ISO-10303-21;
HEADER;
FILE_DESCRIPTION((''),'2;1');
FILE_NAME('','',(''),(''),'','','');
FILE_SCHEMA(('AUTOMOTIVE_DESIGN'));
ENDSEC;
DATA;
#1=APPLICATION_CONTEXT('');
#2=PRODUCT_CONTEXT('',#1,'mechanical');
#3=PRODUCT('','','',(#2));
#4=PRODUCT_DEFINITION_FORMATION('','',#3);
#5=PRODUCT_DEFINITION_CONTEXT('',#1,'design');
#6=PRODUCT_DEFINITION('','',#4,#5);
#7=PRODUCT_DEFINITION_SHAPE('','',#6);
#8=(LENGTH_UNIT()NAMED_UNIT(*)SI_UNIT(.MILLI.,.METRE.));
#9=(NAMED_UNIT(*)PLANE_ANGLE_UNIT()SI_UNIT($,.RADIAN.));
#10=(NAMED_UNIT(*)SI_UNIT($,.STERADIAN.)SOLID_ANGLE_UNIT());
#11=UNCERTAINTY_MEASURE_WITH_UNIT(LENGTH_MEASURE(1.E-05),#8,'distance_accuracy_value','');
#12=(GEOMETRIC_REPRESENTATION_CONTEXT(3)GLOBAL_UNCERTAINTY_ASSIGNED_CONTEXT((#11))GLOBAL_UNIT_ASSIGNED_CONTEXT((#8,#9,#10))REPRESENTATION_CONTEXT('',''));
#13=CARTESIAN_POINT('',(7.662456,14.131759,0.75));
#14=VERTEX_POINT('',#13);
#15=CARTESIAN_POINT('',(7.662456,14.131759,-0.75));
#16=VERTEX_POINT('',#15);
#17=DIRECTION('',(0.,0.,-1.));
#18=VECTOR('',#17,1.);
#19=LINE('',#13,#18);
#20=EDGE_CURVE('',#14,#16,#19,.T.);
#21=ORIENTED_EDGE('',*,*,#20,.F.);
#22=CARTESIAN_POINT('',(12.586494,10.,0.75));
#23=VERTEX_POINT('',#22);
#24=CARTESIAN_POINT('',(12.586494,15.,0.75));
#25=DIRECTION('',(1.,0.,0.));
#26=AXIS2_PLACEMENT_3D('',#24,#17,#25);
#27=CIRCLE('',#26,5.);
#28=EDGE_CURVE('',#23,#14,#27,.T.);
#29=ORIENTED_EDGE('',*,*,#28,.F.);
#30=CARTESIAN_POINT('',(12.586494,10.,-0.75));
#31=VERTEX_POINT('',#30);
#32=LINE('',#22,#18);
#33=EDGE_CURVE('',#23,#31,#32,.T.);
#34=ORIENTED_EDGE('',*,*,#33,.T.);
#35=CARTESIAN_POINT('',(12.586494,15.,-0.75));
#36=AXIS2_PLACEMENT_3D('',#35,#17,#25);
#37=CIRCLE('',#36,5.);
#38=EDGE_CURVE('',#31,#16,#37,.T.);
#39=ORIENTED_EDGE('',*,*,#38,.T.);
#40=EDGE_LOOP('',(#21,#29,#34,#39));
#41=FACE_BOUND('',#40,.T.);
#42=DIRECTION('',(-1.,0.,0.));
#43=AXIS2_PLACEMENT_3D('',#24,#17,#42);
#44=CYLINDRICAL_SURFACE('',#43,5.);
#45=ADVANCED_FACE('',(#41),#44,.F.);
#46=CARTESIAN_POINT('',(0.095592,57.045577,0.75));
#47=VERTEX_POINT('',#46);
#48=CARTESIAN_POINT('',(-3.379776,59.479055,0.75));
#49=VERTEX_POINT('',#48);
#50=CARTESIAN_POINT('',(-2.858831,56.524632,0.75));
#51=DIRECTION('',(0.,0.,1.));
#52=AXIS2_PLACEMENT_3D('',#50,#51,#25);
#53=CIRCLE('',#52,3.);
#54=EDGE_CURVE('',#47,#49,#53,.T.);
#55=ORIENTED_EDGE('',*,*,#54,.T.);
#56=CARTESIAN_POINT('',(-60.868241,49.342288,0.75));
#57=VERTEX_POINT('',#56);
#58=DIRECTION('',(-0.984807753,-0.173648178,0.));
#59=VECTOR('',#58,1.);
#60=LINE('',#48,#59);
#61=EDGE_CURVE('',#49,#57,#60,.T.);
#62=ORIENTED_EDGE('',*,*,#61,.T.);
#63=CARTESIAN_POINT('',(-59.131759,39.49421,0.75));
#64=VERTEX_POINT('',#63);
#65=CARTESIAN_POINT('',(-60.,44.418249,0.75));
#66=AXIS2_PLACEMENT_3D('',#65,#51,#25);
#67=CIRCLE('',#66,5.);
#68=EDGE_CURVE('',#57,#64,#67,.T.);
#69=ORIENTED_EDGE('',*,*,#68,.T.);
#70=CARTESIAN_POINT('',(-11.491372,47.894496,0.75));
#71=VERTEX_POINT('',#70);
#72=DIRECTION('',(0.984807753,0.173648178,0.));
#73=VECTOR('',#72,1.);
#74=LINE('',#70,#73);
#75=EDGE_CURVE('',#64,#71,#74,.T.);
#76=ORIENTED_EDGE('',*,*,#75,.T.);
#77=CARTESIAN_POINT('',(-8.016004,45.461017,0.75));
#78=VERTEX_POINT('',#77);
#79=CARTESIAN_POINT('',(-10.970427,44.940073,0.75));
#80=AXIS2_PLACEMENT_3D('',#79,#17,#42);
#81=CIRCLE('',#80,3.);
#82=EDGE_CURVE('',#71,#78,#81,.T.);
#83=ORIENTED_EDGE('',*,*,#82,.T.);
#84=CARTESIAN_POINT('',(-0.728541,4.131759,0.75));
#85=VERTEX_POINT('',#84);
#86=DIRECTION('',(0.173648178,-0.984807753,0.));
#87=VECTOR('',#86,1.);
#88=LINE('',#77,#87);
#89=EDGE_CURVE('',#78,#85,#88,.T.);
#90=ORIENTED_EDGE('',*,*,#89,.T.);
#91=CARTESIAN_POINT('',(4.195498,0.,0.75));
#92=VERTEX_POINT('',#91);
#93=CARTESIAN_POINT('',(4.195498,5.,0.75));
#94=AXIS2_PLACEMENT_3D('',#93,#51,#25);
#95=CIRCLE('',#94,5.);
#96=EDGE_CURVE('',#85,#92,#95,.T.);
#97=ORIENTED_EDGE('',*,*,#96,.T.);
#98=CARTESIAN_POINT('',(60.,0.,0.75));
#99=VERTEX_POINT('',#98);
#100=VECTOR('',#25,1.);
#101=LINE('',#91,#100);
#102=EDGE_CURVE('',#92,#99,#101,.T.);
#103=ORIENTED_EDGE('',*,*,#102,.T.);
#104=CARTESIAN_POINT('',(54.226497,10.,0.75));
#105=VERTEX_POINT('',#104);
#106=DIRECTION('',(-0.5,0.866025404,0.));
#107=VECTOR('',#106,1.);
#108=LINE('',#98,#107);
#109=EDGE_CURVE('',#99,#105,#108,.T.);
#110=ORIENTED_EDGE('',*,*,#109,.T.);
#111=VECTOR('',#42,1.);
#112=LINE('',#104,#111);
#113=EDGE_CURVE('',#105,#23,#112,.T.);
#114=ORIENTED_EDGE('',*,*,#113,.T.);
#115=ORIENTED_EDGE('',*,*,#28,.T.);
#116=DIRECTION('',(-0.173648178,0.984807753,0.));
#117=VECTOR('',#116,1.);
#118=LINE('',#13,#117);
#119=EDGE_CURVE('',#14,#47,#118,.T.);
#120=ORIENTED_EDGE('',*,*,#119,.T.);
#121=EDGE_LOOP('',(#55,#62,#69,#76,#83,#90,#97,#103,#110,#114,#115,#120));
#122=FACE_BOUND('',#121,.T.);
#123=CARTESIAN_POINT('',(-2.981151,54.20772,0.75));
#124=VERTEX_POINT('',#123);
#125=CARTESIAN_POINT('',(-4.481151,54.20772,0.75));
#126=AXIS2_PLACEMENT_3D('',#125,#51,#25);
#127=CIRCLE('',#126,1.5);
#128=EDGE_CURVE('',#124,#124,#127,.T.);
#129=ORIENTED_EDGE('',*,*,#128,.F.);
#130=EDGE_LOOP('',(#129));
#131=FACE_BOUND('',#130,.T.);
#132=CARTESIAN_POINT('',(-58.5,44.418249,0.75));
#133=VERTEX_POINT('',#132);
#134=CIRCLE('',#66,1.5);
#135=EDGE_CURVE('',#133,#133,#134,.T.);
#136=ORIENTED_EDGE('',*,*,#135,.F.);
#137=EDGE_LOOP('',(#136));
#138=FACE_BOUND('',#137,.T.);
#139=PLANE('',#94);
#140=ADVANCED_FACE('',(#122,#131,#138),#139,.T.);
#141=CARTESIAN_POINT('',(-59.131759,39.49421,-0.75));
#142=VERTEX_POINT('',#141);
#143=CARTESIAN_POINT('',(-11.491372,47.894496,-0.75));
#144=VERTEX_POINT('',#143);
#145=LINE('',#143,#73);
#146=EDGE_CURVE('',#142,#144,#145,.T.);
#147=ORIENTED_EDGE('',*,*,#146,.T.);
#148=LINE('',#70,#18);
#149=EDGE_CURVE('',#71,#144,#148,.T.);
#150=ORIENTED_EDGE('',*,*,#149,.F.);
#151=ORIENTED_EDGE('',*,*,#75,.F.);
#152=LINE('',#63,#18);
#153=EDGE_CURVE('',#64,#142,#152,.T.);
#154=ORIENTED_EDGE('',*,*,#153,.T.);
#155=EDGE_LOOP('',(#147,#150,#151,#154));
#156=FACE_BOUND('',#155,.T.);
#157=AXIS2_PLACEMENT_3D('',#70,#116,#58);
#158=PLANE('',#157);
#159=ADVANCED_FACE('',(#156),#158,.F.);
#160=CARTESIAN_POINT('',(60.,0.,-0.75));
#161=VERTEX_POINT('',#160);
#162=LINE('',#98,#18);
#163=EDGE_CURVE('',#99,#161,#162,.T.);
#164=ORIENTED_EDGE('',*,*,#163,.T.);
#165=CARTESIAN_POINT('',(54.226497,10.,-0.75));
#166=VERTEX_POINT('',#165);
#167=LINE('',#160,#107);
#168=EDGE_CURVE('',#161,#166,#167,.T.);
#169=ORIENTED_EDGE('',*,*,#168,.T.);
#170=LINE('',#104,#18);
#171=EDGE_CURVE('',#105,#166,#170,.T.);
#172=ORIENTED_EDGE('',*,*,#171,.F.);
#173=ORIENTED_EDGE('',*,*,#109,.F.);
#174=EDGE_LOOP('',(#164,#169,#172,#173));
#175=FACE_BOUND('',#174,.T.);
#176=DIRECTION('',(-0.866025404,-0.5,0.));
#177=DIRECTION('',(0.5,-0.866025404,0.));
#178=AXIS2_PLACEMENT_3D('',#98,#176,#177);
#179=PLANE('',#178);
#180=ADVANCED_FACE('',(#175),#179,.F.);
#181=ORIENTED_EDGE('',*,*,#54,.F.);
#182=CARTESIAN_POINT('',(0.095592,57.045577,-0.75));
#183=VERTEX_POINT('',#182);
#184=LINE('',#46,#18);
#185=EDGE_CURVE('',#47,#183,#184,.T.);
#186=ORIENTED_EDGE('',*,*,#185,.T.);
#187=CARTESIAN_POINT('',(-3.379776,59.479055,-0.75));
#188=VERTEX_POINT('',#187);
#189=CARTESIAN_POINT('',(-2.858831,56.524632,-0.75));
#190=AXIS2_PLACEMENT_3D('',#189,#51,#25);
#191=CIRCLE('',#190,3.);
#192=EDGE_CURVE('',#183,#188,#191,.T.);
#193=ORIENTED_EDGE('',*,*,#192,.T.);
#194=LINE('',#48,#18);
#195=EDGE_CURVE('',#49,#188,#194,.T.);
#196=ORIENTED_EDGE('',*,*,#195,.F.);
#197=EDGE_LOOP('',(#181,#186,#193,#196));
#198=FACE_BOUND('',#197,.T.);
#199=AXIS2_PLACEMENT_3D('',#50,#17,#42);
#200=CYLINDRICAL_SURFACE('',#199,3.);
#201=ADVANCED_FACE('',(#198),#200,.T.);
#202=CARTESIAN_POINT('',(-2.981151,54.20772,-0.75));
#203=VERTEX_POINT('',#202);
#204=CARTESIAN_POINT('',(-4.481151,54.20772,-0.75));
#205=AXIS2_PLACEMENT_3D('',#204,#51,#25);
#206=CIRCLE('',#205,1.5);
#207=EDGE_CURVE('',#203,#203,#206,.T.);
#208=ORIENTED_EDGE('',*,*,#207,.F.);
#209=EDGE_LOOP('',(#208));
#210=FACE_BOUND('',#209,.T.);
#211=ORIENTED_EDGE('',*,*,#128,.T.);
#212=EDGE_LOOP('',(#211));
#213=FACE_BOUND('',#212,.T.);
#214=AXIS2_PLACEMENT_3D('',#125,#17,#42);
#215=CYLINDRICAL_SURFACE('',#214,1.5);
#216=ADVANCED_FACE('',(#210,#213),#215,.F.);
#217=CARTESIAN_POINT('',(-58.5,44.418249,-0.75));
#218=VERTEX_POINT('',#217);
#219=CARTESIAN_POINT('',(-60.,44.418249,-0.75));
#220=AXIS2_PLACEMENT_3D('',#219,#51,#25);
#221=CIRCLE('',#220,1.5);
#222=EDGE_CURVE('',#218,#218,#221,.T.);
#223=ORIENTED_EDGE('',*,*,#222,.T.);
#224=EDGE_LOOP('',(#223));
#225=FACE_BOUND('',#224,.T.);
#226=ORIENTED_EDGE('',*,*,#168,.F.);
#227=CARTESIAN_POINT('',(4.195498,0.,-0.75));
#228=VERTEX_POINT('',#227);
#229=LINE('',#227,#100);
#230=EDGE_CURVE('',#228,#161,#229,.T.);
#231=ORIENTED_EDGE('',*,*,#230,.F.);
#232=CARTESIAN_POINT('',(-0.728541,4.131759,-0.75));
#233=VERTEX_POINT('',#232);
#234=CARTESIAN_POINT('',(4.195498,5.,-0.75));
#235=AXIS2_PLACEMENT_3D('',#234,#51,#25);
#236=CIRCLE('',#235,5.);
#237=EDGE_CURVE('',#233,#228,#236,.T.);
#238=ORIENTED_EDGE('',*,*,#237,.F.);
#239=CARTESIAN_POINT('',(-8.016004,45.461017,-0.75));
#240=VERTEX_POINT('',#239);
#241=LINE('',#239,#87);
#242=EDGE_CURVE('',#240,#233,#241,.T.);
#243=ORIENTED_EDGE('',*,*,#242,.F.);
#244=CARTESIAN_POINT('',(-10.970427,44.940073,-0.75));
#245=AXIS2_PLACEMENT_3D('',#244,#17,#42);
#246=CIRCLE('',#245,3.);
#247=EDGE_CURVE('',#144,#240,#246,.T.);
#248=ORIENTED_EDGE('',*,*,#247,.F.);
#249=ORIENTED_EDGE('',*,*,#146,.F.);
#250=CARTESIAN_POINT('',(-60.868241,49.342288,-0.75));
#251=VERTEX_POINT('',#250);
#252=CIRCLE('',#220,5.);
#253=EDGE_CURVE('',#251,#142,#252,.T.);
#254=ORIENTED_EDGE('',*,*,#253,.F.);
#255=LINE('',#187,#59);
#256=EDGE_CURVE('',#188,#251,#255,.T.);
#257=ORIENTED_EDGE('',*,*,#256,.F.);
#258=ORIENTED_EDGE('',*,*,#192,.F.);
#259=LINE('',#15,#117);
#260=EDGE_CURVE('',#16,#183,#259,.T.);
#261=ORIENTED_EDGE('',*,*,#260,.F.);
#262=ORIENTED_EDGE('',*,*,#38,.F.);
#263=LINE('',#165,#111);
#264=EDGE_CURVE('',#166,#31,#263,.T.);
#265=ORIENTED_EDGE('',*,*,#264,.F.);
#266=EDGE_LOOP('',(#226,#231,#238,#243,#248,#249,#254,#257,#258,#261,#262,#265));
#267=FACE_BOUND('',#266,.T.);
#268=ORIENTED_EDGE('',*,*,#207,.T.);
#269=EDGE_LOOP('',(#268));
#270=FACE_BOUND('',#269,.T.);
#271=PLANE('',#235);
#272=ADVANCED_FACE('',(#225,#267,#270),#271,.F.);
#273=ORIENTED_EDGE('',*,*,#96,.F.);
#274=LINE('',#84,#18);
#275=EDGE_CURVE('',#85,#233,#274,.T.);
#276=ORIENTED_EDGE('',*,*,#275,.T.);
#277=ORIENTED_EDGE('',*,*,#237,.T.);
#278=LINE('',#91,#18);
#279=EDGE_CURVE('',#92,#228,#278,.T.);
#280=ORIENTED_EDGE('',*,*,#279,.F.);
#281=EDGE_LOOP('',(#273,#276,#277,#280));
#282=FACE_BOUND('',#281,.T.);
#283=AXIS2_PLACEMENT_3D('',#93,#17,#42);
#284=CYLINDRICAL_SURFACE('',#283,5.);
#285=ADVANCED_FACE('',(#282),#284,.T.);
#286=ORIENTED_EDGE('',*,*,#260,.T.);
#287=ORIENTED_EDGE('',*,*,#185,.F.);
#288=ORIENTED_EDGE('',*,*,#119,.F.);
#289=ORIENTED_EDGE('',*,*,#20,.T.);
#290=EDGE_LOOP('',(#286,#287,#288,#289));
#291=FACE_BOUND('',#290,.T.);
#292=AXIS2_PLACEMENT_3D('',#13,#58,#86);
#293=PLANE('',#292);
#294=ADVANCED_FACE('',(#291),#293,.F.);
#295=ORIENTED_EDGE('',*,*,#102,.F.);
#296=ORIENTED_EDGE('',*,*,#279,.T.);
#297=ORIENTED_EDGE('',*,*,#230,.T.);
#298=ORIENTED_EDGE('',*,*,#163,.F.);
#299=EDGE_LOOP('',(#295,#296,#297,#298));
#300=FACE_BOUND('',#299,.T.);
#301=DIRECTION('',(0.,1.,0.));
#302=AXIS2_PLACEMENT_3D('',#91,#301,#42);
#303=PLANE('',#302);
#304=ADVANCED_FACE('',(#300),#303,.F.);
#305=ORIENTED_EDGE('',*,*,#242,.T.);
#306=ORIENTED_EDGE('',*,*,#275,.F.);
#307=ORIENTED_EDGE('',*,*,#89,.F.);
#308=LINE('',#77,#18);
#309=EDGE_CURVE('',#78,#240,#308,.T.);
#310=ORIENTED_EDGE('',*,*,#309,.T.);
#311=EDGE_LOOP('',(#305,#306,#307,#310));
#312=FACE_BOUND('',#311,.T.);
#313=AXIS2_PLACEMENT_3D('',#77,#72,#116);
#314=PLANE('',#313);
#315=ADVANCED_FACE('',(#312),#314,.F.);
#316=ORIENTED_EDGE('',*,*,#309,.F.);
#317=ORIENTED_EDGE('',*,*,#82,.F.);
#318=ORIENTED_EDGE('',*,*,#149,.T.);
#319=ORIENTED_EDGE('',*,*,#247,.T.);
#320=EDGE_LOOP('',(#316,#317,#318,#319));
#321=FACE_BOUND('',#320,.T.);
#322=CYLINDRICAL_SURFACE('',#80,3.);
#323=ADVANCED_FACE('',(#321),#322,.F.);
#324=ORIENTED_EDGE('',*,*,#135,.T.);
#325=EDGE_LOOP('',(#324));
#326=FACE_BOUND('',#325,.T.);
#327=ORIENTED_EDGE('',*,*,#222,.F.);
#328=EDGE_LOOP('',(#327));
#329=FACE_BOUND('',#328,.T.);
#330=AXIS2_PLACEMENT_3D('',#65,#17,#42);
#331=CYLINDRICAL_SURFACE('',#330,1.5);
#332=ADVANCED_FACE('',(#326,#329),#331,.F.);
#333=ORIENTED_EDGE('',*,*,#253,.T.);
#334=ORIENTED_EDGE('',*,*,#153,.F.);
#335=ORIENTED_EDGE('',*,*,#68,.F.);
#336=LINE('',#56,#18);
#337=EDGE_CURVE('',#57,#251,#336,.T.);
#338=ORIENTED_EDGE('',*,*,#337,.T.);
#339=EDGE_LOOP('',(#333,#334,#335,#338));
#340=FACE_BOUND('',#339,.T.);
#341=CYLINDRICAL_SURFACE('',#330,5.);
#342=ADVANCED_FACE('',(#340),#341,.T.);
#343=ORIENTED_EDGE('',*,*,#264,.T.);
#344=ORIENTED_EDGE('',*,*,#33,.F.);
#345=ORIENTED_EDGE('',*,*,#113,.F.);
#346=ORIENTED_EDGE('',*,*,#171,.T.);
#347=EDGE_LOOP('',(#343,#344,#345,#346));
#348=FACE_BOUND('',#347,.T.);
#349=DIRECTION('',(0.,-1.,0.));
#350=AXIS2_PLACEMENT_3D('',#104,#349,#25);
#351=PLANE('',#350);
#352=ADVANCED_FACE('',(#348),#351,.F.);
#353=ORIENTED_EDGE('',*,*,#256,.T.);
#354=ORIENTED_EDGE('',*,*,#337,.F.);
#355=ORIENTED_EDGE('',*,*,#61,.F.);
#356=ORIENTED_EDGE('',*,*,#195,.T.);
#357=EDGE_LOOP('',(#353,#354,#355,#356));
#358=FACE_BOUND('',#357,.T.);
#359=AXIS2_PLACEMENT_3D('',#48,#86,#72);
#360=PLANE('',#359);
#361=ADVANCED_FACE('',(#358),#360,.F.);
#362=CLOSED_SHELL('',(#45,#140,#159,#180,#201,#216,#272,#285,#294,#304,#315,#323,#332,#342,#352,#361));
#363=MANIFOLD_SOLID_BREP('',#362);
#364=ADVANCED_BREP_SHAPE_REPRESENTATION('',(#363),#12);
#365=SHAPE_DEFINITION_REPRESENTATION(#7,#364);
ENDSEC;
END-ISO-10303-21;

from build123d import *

# Parameters (mm, degrees)
SKETCH1_R           = 1.5
BOSS_EXTRUDE1_DEPTH = 0.75


with BuildPart() as part:
    # Sketch1 → Boss-Extrude1 (new body, symmetric)
    with BuildSketch(Plane.XY):
        with BuildLine():
            Line((4.195498156, 0), (60, 0))
            Line((60, 0), (54.226497308, 10))
            Line((54.226497308, 10), (12.586494468, 10))
            ThreePointArc((12.586494468, 10), (9.372556419, 11.169777784), (7.662455703, 14.131759112))
            Line((7.662455703, 14.131759112), (0.095591809, 57.045576741))
            ThreePointArc((0.095591809, 57.045576741), (-1.138102141, 58.982088341), (-3.379775983, 59.479055467))
            Line((-3.379775983, 59.479055467), (-60.868240888, 49.342288025))
            ThreePointArc((-60.868240888, 49.342288025), (-64.924038765, 43.550008371), (-59.131759112, 39.494210494))
            Line((-59.131759112, 39.494210494), (-11.491371736, 47.89449616))
            ThreePointArc((-11.491371736, 47.89449616), (-9.249697894, 47.397529034), (-8.016003944, 45.461017434))
            Line((-8.016003944, 45.461017434), (-0.728540609, 4.131759112))
            ThreePointArc((-0.728540609, 4.131759112), (0.981560107, 1.169777784), (4.195498156, 0))
        make_face()
        with Locations((-60, 44.41824926)):
            Circle(SKETCH1_R, mode=Mode.SUBTRACT)
        with Locations((-4.4811506, 54.207720347)):
            Circle(SKETCH1_R, mode=Mode.SUBTRACT)
    extrude(amount=BOSS_EXTRUDE1_DEPTH, both=True)


solid = part.part
